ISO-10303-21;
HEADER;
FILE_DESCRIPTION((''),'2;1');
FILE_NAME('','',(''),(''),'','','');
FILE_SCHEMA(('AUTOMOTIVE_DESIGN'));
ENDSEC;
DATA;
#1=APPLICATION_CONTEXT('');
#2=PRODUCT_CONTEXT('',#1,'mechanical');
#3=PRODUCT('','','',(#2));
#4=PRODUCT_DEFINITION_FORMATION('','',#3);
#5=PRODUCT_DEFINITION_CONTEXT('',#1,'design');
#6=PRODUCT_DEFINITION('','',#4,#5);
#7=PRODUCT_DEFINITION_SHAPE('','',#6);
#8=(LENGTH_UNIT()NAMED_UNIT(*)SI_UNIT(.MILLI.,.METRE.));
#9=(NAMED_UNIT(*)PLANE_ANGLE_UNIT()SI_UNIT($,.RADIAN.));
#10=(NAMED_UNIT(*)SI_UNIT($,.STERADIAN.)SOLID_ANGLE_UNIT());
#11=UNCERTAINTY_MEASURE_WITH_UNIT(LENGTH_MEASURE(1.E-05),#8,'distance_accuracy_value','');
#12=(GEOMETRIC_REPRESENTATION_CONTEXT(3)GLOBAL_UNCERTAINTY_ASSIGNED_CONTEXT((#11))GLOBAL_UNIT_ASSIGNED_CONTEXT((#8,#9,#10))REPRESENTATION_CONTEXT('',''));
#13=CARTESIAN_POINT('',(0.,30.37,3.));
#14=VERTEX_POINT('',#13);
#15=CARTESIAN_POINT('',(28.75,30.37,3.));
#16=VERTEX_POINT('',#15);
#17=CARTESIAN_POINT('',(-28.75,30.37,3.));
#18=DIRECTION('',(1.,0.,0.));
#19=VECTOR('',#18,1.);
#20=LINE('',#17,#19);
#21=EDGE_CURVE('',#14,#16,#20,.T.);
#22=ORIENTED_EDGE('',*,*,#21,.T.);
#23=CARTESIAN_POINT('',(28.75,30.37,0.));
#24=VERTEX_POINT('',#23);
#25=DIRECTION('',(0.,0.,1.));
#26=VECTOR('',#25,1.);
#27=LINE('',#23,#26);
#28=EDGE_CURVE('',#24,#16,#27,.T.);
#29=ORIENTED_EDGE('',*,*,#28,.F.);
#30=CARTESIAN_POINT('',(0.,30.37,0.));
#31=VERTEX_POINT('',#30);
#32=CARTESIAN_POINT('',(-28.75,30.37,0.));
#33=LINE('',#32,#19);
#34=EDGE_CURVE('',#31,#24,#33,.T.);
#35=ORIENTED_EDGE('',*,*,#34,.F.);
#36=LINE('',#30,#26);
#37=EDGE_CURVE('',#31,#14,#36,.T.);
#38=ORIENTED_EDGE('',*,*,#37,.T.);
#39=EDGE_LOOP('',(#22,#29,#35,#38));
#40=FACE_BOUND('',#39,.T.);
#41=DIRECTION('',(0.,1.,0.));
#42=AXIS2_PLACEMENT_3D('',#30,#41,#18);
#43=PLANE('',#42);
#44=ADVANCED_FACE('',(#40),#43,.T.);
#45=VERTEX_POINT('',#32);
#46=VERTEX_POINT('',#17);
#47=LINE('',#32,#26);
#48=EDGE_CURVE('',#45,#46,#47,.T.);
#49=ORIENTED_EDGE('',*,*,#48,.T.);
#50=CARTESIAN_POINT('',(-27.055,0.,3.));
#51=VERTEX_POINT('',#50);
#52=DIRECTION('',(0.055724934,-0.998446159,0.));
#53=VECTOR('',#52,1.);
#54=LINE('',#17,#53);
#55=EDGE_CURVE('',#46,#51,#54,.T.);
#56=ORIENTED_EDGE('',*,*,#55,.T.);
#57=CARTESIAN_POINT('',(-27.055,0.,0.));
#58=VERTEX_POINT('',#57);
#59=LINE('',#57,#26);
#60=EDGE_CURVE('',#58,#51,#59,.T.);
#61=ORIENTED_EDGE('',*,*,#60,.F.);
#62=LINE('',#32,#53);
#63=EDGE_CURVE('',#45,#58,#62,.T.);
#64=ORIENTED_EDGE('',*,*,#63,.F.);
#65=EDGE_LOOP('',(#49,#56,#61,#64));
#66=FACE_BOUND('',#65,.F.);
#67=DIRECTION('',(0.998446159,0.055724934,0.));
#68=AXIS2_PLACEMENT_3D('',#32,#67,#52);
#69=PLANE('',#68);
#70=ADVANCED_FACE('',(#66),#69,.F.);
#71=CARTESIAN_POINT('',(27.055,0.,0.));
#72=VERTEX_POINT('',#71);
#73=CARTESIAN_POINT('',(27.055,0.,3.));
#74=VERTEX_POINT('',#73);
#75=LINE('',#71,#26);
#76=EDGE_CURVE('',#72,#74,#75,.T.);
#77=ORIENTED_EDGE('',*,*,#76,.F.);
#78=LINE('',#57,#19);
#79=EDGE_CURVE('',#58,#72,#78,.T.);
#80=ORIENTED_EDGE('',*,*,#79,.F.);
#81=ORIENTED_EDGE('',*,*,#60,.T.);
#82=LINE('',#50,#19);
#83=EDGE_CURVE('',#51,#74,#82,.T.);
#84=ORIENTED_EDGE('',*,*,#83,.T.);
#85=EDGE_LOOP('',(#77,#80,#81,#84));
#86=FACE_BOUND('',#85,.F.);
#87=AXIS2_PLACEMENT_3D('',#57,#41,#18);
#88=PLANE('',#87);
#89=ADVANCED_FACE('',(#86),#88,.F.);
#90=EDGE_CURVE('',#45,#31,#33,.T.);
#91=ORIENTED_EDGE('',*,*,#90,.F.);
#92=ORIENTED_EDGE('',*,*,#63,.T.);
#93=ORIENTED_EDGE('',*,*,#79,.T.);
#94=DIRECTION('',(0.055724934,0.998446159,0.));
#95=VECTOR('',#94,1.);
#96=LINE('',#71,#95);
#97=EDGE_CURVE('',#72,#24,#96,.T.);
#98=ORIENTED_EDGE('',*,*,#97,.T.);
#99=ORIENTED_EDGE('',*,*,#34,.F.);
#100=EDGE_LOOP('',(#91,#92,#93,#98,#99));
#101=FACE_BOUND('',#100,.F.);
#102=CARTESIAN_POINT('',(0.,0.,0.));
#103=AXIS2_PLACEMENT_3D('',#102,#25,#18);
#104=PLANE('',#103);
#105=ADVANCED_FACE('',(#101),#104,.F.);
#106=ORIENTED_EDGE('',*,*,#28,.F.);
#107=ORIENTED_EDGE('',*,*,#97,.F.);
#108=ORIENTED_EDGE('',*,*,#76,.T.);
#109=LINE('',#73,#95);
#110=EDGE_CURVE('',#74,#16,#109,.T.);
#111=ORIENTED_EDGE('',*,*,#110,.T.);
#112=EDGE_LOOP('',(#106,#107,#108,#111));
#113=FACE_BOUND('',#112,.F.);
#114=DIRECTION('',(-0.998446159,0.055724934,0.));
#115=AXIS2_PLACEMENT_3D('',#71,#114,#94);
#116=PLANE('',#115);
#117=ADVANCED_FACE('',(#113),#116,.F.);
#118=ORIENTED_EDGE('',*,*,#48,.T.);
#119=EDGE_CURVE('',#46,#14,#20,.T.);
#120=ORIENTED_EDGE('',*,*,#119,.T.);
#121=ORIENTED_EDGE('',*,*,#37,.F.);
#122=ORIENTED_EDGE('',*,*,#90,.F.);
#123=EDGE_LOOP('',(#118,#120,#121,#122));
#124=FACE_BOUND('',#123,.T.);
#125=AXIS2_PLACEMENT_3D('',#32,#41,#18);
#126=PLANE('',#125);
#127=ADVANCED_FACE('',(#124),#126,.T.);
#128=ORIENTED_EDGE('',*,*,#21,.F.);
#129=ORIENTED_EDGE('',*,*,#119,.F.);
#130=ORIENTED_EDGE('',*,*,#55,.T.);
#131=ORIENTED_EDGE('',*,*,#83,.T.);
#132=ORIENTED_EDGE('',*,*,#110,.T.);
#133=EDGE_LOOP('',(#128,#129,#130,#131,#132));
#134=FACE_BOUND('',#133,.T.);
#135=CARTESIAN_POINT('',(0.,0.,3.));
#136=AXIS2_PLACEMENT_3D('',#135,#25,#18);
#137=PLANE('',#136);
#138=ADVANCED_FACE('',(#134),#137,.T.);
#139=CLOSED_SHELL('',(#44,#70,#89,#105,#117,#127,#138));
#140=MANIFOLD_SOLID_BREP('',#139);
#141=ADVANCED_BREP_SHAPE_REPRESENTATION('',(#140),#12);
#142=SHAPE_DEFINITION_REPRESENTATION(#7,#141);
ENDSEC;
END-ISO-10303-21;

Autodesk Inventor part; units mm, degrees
ref_plane "YZ Plane" through (0, 0, 0) normal (1, 0, 0) x (0, 1, 0)
ref_plane "XZ Plane" through (0, 0, 0) normal (0, 1, 0) x (-1, 0, 0)
ref_plane "XY Plane" through (0, 0, 0) normal (0, 0, 1) x (1, 0, 0)
sketch "Sketch1" plane through (0, 0, 0) normal (0, 0, 1) x (1, 0, 0)
  line L0 (-27.055, 0) -> (27.055, 0)
  line L1 (-28.75, 30.37) -> (28.75, 30.37)
  line L2 (27.055, 0) -> (28.75, 30.37)
  line L3 (-28.75, 30.37) -> (-27.055, 0)
  line L4 (0, 30.37) -> (0, 16.4508)
  point P0 (0, 0)
  point P1 (0, 0)
  dimension "d0" = 54.11
  dimension "d1" = 57.5
  dimension "d2" = 30.37
  dimension "d3" = 0
extrude "Extrusion1" add sketch "Sketch1" along normal blind 3
properties part number "F"
